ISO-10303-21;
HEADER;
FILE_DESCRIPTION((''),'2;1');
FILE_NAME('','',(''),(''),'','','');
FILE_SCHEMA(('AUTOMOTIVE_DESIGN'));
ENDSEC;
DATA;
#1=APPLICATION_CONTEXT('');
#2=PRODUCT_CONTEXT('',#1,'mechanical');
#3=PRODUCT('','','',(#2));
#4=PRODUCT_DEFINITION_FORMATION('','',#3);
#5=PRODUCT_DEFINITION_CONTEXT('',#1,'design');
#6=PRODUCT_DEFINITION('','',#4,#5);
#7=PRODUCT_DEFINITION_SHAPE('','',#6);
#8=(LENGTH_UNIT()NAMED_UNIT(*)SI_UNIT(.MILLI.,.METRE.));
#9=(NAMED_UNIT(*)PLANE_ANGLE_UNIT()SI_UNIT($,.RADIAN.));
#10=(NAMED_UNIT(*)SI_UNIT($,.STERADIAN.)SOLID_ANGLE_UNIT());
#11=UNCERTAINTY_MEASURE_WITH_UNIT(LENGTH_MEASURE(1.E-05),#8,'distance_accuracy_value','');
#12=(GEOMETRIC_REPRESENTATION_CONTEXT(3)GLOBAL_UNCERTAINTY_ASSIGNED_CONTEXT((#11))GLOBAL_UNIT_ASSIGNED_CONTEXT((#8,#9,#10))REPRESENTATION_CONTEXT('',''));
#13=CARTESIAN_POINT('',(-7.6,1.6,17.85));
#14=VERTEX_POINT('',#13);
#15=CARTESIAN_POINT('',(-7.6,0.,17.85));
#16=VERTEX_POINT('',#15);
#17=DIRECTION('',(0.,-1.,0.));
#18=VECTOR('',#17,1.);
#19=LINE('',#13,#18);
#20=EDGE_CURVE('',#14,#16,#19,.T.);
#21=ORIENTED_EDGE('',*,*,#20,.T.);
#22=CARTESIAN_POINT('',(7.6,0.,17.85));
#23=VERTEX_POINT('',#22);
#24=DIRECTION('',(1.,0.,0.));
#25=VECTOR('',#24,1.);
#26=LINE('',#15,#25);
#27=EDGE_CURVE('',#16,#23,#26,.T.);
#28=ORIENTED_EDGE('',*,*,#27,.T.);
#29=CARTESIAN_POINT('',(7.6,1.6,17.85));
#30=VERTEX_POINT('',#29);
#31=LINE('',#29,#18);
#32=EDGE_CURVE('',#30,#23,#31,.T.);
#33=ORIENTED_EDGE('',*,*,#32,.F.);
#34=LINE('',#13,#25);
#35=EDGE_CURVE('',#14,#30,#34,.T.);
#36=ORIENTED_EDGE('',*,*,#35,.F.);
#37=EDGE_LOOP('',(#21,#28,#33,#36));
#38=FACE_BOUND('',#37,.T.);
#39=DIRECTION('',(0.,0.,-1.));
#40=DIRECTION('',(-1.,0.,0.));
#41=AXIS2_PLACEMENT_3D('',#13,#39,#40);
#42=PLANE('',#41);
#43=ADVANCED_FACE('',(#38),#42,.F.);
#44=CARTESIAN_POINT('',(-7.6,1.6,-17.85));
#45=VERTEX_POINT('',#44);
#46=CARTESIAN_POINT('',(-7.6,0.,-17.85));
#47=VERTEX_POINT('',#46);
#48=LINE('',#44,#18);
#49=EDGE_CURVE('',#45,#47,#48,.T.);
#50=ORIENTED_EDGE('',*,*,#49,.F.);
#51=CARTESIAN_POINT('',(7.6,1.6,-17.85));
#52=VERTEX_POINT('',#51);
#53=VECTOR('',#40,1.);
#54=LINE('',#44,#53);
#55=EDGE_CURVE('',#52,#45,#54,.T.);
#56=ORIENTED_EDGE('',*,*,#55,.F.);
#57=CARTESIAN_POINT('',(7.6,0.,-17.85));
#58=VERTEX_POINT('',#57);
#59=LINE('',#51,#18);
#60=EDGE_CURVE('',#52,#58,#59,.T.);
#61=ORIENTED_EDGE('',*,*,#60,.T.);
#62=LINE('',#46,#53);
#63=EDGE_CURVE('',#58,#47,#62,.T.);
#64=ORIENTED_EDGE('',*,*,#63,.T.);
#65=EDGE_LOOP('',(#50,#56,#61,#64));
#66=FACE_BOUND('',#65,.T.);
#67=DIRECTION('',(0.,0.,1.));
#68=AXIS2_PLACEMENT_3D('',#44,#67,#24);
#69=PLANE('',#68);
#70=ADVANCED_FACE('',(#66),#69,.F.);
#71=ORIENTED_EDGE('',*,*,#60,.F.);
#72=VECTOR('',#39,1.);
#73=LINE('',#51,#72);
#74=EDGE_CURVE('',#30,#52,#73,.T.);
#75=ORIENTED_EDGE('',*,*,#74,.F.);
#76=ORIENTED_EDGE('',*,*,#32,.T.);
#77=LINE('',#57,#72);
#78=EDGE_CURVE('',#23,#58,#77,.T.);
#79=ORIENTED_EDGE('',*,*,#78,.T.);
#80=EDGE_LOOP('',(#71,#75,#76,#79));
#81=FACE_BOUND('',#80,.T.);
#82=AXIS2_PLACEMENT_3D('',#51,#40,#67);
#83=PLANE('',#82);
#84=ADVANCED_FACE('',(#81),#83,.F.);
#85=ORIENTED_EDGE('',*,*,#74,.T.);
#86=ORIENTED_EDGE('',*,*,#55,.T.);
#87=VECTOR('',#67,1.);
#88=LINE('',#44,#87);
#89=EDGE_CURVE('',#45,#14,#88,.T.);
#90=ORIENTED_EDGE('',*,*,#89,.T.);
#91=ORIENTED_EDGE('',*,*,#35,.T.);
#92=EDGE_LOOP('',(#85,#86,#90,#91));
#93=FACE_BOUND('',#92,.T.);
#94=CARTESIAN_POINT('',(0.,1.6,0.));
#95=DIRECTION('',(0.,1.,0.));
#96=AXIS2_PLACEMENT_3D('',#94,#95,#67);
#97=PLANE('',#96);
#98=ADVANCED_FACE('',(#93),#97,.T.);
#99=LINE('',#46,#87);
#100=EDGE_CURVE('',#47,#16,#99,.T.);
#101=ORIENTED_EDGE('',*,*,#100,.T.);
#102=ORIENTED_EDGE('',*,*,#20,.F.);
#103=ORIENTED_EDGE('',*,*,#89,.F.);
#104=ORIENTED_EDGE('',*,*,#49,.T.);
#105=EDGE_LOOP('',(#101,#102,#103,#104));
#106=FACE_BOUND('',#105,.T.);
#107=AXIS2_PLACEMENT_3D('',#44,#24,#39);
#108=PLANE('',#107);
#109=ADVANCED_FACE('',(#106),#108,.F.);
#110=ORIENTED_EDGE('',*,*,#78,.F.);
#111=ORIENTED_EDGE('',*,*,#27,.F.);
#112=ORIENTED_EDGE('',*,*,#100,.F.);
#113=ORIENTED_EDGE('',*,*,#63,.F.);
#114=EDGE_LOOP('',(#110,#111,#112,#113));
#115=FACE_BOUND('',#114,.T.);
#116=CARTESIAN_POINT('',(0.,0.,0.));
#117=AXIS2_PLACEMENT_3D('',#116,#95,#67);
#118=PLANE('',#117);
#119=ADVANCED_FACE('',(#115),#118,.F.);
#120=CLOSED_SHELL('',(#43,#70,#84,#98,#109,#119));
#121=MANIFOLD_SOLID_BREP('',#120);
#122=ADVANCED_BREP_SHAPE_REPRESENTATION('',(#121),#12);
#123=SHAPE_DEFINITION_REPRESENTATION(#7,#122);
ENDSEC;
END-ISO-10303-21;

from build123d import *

# Parameters (mm, degrees)
SKETCH_1_W      = 15.2
SKETCH_1_H      = 35.7
EXTRUDE_1_DEPTH = 1.6


with BuildPart() as part:
    # 草图1 → 凸台-拉伸1 (new body)
    with BuildSketch(Plane(origin=(0, 0, 0), x_dir=(1, 0, 0), z_dir=(0, 1, 0))):
        Rectangle(SKETCH_1_W, SKETCH_1_H)
    extrude(amount=EXTRUDE_1_DEPTH)


solid = part.part
